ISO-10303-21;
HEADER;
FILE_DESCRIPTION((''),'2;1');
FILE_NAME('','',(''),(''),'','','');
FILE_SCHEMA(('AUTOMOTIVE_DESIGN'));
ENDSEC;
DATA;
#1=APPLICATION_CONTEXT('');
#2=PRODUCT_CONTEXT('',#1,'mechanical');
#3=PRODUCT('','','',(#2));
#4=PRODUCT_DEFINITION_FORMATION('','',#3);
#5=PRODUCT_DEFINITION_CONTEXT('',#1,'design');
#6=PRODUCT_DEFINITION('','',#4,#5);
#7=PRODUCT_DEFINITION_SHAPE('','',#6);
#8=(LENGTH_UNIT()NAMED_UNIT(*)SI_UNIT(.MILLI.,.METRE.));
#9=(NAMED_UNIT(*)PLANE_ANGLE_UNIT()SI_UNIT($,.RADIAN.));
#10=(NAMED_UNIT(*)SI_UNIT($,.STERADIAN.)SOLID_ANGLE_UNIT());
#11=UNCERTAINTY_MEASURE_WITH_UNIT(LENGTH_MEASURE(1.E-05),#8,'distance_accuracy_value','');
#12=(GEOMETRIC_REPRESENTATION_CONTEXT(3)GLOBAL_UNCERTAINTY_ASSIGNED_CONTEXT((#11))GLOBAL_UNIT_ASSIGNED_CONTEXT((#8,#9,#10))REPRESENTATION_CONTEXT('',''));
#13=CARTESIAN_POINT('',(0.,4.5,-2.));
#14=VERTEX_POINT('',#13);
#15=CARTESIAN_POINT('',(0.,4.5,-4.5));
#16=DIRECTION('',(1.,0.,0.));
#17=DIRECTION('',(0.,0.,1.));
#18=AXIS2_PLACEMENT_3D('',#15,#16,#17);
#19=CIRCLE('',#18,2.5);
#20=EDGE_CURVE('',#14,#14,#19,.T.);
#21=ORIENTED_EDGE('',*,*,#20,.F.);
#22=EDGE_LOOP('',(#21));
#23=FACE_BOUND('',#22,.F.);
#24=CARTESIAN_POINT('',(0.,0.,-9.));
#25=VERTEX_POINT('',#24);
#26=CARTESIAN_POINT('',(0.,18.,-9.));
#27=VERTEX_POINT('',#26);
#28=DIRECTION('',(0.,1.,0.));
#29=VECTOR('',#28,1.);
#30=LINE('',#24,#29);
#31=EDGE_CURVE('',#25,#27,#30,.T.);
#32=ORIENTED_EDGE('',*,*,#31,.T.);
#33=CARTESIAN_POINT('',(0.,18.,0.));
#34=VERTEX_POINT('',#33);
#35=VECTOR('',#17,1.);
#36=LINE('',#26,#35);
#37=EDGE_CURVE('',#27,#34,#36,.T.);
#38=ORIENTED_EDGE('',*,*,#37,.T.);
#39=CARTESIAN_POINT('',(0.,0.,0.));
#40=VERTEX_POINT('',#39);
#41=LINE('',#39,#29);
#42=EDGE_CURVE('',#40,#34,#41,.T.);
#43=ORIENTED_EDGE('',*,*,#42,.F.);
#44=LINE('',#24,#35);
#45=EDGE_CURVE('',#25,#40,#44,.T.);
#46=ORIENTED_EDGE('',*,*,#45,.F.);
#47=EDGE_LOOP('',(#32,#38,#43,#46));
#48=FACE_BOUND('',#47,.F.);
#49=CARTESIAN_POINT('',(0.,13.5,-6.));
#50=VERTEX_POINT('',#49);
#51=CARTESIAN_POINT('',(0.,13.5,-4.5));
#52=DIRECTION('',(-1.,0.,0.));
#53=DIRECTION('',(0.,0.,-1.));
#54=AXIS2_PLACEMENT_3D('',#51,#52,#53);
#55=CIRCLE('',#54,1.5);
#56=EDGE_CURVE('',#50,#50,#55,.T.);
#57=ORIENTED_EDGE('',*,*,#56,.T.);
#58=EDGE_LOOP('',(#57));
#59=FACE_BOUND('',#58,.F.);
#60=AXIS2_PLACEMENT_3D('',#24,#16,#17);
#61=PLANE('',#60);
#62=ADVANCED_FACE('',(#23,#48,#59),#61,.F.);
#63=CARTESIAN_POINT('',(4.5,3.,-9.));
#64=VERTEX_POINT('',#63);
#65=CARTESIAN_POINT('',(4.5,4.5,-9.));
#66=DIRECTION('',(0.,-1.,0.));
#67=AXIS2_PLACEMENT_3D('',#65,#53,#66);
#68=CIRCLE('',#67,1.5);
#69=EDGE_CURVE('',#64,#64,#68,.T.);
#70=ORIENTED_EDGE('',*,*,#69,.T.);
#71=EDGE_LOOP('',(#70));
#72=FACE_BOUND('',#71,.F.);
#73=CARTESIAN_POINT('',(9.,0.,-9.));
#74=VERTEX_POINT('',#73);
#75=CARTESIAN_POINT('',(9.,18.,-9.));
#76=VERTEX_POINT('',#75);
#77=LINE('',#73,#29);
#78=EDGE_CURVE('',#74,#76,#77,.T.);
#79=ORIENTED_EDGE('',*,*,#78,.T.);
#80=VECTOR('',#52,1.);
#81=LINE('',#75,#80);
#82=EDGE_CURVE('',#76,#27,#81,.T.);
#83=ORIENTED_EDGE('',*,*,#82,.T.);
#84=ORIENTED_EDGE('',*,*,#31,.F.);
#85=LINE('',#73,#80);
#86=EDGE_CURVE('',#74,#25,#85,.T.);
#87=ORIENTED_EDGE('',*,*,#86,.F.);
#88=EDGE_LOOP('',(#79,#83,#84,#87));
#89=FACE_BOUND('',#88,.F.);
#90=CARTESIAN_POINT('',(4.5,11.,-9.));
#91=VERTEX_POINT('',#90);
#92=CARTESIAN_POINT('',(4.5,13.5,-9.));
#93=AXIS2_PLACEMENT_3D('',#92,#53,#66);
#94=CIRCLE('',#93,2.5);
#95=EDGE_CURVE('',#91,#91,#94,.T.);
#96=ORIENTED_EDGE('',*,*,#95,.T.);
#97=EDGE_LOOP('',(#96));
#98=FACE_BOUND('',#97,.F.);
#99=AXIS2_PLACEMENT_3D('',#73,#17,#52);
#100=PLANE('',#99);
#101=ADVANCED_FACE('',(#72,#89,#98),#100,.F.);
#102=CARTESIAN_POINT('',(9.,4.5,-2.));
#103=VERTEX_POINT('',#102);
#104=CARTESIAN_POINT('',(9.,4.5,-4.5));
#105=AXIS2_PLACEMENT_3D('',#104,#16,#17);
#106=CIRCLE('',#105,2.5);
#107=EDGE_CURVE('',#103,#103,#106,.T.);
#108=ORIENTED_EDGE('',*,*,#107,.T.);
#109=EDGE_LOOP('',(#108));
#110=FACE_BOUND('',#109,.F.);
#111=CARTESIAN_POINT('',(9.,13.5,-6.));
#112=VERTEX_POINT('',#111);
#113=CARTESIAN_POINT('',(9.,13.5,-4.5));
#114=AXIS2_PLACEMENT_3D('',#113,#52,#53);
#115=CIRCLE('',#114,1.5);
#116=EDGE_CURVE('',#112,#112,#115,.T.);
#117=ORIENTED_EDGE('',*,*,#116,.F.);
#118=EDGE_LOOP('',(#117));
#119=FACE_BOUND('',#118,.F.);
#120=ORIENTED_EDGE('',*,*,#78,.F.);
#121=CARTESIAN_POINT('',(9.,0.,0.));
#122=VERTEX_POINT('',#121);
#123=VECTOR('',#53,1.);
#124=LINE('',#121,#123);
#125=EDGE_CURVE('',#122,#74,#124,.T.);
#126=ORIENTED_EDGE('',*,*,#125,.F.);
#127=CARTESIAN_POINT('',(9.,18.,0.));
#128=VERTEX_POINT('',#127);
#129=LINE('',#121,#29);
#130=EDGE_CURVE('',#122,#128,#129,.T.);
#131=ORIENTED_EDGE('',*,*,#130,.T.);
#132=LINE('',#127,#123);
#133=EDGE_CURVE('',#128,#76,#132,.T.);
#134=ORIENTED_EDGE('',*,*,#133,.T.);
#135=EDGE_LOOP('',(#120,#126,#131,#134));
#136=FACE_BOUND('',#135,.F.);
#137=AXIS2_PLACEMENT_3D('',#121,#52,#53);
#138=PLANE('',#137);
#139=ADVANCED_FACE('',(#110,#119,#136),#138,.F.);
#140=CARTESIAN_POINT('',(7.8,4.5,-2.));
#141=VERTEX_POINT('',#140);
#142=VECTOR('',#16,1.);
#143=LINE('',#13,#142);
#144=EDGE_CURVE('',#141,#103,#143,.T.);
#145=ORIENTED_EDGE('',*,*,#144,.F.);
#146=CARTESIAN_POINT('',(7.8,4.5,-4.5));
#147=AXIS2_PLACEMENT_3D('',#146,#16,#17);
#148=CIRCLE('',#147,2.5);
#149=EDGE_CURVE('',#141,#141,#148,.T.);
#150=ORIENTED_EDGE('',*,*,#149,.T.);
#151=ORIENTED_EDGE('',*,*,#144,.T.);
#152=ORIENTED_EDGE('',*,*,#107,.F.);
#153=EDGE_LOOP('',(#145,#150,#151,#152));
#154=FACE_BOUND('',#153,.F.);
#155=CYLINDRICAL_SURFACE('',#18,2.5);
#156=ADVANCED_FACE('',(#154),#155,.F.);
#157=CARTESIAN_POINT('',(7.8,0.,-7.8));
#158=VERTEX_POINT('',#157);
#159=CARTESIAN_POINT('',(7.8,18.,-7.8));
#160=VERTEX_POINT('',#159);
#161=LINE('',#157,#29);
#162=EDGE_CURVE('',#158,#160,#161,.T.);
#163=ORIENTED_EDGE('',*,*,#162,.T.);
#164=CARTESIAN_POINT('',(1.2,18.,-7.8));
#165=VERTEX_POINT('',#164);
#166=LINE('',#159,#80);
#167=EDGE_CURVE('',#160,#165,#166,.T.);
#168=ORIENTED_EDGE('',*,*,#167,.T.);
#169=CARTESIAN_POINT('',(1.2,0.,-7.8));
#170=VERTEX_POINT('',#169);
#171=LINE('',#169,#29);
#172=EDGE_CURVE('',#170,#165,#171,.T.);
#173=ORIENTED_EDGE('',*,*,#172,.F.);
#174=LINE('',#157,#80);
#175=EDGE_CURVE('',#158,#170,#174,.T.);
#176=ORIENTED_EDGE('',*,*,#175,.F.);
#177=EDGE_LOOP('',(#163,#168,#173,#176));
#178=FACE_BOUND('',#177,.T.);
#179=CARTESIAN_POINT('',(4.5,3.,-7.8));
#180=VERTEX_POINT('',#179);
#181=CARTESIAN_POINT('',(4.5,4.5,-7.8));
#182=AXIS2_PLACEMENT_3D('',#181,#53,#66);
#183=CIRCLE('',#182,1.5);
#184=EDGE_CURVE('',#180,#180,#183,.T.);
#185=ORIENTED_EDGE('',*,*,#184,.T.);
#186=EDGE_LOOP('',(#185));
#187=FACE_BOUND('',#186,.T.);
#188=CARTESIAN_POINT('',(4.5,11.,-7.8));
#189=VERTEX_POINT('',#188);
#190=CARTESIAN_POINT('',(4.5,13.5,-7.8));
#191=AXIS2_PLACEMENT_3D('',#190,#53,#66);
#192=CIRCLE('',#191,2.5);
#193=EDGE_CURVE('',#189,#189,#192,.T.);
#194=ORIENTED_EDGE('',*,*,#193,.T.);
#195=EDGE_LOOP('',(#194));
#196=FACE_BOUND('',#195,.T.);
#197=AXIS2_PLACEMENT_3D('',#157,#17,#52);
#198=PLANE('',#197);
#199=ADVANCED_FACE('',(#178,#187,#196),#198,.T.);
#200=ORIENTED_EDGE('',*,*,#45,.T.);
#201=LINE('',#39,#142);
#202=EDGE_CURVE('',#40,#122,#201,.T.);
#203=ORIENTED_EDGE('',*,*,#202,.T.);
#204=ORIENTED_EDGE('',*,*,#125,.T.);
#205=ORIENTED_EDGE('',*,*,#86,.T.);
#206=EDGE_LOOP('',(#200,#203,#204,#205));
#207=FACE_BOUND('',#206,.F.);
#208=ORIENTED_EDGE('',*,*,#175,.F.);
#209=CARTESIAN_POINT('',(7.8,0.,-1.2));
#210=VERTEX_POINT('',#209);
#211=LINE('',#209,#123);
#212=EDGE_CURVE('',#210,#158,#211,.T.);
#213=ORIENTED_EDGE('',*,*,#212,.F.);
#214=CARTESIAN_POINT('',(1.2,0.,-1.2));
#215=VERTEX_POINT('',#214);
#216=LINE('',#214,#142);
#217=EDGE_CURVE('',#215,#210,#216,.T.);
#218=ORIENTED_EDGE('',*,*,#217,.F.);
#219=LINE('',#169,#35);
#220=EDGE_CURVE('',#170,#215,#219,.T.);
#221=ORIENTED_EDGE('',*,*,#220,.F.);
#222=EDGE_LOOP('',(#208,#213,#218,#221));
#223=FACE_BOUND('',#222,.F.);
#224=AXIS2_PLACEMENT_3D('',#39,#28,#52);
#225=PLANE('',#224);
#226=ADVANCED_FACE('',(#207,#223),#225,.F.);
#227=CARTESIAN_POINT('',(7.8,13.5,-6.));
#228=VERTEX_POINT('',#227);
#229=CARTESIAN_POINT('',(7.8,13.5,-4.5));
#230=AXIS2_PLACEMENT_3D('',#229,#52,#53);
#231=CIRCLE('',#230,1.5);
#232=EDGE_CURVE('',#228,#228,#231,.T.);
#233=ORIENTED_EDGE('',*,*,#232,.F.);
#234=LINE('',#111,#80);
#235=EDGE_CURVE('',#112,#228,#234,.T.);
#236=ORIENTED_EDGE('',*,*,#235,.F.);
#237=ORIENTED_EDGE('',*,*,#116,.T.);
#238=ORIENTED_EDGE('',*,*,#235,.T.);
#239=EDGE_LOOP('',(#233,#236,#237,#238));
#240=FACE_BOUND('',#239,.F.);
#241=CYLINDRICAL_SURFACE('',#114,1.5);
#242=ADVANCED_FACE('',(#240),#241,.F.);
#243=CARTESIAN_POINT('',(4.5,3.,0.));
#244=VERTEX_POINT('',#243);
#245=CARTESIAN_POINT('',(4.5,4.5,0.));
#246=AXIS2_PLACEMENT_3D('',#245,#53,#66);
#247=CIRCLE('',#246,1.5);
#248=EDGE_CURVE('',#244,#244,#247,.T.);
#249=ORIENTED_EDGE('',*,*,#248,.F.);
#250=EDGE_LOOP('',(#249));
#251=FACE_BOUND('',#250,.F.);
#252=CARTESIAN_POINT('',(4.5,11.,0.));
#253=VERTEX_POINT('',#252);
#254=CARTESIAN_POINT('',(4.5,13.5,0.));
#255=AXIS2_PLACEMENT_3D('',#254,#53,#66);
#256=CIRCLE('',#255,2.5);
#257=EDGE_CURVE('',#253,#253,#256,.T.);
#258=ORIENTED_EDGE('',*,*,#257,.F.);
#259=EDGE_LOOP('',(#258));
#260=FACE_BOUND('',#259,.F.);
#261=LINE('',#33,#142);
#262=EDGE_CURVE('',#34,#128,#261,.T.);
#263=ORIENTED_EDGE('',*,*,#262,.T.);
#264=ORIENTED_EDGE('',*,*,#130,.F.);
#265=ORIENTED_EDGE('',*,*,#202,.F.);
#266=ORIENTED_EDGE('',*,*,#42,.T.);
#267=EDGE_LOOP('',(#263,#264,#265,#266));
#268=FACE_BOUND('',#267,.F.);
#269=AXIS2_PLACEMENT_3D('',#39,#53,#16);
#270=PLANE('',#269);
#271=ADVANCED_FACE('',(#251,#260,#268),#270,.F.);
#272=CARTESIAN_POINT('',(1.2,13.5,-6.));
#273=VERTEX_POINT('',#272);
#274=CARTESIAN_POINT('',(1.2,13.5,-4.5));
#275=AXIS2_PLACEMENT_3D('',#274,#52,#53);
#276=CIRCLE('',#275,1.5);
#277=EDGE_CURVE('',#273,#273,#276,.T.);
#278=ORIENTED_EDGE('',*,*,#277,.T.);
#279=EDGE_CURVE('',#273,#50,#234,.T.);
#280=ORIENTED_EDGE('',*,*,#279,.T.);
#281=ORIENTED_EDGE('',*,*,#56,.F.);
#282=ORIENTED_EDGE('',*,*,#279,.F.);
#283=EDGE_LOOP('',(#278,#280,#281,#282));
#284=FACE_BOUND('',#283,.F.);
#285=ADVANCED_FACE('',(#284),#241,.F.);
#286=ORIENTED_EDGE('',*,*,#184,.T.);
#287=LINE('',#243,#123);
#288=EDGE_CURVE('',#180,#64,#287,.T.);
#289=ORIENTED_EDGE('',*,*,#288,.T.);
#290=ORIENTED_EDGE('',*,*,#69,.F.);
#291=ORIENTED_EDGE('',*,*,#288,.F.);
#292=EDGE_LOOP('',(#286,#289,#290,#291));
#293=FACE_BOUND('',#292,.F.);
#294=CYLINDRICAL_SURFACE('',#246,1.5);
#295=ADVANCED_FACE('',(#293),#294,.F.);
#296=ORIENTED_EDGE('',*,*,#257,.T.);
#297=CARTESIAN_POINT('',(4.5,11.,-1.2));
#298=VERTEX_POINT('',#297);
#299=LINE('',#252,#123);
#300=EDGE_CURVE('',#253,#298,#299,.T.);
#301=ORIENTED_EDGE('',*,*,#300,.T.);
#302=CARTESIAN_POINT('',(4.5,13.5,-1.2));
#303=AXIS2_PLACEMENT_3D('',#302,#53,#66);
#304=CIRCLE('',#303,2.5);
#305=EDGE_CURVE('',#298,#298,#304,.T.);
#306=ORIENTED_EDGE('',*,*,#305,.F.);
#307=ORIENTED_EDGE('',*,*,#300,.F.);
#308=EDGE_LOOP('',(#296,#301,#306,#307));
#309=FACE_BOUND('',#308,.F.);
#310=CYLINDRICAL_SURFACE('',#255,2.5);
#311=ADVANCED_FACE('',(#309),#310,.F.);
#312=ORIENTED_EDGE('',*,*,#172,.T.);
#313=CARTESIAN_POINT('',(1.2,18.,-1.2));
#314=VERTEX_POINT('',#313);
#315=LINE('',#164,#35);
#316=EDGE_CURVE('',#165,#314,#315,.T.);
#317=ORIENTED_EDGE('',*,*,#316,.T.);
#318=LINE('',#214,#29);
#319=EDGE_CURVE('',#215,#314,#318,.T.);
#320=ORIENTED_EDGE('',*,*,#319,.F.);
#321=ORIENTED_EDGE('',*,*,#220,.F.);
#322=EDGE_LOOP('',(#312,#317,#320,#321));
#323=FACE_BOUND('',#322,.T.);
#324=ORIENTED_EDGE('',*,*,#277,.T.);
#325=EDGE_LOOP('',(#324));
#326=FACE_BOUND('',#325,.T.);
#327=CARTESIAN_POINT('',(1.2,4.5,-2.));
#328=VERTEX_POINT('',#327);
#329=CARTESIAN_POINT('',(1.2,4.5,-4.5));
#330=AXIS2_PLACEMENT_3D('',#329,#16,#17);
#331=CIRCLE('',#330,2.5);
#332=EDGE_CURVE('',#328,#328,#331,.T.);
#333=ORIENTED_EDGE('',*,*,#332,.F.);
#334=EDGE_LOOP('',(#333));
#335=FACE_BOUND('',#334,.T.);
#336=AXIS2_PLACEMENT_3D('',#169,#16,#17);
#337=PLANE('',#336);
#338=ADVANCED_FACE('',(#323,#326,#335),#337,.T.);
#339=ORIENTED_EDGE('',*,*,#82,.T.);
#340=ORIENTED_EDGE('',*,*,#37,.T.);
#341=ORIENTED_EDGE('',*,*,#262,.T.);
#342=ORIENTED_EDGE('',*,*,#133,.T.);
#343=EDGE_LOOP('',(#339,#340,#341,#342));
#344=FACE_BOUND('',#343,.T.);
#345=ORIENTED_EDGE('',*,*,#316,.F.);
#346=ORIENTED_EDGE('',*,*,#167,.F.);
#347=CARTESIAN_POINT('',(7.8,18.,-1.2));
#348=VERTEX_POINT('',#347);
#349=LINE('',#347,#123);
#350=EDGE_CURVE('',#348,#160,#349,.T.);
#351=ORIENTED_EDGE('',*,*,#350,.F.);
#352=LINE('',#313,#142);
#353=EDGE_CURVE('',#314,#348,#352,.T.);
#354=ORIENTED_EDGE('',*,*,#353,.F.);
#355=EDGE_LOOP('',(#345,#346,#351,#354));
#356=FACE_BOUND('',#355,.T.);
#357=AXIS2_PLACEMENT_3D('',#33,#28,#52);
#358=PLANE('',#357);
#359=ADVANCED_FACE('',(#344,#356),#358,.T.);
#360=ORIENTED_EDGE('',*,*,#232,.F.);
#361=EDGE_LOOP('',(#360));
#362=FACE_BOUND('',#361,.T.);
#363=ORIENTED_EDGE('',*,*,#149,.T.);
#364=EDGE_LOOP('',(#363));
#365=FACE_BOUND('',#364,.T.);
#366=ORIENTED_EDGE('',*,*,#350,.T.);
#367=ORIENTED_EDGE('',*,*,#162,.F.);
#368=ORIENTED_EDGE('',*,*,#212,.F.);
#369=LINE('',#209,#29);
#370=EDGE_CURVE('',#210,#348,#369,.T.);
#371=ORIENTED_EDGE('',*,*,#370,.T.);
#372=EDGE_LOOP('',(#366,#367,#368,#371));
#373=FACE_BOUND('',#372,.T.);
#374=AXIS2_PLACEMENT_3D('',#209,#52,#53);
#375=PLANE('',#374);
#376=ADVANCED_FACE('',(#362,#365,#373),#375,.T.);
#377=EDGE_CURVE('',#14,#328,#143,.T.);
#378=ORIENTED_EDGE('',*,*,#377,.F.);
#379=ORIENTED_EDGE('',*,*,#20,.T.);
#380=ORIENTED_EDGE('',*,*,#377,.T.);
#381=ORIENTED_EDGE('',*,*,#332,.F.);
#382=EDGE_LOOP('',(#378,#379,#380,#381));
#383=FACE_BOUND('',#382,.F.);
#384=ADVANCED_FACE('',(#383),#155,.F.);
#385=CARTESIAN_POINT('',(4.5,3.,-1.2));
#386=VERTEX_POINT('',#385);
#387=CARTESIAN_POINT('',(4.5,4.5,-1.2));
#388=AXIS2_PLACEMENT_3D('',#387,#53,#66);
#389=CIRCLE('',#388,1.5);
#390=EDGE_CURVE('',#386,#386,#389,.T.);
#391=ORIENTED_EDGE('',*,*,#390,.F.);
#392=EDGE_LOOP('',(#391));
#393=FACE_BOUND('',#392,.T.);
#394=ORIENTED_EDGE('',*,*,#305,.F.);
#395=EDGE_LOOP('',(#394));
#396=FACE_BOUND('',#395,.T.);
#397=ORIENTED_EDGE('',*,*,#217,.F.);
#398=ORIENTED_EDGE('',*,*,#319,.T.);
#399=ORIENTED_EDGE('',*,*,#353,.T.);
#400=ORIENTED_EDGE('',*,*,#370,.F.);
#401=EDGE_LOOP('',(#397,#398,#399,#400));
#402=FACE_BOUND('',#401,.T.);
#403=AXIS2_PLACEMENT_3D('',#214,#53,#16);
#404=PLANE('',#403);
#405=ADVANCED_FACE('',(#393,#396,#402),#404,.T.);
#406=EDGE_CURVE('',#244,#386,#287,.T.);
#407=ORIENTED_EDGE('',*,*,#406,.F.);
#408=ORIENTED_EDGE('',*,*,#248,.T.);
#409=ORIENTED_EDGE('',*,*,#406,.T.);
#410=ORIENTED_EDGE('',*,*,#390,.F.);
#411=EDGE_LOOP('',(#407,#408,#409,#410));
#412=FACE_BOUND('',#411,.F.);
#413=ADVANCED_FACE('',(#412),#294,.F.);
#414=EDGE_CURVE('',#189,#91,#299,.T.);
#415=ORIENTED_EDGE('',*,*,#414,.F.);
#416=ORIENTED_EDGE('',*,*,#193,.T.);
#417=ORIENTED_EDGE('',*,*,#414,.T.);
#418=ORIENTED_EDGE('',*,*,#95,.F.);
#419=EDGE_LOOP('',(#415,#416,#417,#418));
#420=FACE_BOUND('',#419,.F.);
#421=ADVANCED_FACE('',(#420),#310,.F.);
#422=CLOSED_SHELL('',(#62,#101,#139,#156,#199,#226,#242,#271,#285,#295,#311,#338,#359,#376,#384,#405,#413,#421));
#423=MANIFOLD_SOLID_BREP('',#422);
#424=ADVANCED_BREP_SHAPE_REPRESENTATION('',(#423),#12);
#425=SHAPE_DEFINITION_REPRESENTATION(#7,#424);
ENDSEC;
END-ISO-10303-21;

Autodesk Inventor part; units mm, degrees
ref_plane "YZ Plane" through (0, 0, 0) normal (1, 0, 0) x (0, 1, 0)
ref_plane "XZ Plane" through (0, 0, 0) normal (0, 1, 0) x (-1, 0, 0)
ref_plane "XY Plane" through (0, 0, 0) normal (0, 0, 1) x (1, 0, 0)
sketch "スケッチ1" plane through (0, 0, 0) normal (0, 1, 0) x (-1, 0, 0)
  line L0 (0, 0) -> (-9, 0)
  line L1 (-9, 0) -> (-9, -9)
  line L2 (-9, -9) -> (0, -9)
  line L3 (0, -9) -> (0, 0)
  line L4 (-1.2, -1.2) -> (-7.8, -1.2)
  line L5 (-7.8, -1.2) -> (-7.8, -7.8)
  line L6 (-7.8, -7.8) -> (-1.2, -7.8)
  line L7 (-1.2, -7.8) -> (-1.2, -1.2)
  dimension "d0" = 9
  dimension "d1" = 9
  dimension "d2" = 6.6
  dimension "d3" = 6.6
  dimension "d4" = 1.2
  dimension "d5" = 1.2
extrude "押し出し1" add sketch "スケッチ1" along normal blind 18
sketch "スケッチ2" plane through (0, 0, 0) normal (0, 0, 1) x (1, 0, 0)
  line L0 (0, 0) -> (9, 0) projected
  line L1 (7.8, 0) -> (7.8, 18) projected
  line L2 (9, 0) -> (9, 18) projected
  point P0 (4.5, 4.5)
  dimension "d8" = 4.5
  dimension "d26" = 4.5
hole "穴1" at (4.5, 4.5, 0) direction (0, 0, -1) diameter 3 end through all
sketch "スケッチ3" plane through (9, 0, 0) normal (1, 0, 0) x (0, 0, -1)
  line L0 (0, 18) -> (9, 18) projected
  line L1 (0, 0) -> (0, 18) projected
  point P0 (4.5, 13.5)
  dimension "d17" = 4.5
  dimension "d18" = 4.5
hole "穴2" at (9, 13.5, -4.5) direction (-1, 0, 0) diameter 3 end through all
sketch "スケッチ4" plane through (0, 0, 0) normal (0, 0, 1) x (1, 0, 0)
  line L0 (0, 18) -> (9, 18) projected
  line L1 (0, 0) -> (0, 18) projected
  point P0 (4.5, 13.5)
  dimension "d27" = 4.5
  dimension "d28" = 4.5
hole "穴3" at (4.5, 13.5, 0) direction (0, 0, -1) diameter 5 end through all
sketch "スケッチ5" plane through (0, 0, -9) normal (-1, 0, 0) x (0, 0, 1)
  line L0 (0, 0) -> (9, 0) projected
  line L1 (0, 0) -> (0, 18) projected
  point P0 (4.5, 4.5)
  dimension "d36" = 4.5
  dimension "d37" = 4.5
hole "穴4" at (0, 4.5, -4.5) direction (1, 0, 0) diameter 5 end through all
equation "\"d5\" = d4"
equation "\"d26\" = d8"
equation "\"d18\" = d17"
equation "\"d28\" = d27"
equation "\"d37\" = d36"
properties part number "ハンド9x9_5" material "アルミニウム 6061"
